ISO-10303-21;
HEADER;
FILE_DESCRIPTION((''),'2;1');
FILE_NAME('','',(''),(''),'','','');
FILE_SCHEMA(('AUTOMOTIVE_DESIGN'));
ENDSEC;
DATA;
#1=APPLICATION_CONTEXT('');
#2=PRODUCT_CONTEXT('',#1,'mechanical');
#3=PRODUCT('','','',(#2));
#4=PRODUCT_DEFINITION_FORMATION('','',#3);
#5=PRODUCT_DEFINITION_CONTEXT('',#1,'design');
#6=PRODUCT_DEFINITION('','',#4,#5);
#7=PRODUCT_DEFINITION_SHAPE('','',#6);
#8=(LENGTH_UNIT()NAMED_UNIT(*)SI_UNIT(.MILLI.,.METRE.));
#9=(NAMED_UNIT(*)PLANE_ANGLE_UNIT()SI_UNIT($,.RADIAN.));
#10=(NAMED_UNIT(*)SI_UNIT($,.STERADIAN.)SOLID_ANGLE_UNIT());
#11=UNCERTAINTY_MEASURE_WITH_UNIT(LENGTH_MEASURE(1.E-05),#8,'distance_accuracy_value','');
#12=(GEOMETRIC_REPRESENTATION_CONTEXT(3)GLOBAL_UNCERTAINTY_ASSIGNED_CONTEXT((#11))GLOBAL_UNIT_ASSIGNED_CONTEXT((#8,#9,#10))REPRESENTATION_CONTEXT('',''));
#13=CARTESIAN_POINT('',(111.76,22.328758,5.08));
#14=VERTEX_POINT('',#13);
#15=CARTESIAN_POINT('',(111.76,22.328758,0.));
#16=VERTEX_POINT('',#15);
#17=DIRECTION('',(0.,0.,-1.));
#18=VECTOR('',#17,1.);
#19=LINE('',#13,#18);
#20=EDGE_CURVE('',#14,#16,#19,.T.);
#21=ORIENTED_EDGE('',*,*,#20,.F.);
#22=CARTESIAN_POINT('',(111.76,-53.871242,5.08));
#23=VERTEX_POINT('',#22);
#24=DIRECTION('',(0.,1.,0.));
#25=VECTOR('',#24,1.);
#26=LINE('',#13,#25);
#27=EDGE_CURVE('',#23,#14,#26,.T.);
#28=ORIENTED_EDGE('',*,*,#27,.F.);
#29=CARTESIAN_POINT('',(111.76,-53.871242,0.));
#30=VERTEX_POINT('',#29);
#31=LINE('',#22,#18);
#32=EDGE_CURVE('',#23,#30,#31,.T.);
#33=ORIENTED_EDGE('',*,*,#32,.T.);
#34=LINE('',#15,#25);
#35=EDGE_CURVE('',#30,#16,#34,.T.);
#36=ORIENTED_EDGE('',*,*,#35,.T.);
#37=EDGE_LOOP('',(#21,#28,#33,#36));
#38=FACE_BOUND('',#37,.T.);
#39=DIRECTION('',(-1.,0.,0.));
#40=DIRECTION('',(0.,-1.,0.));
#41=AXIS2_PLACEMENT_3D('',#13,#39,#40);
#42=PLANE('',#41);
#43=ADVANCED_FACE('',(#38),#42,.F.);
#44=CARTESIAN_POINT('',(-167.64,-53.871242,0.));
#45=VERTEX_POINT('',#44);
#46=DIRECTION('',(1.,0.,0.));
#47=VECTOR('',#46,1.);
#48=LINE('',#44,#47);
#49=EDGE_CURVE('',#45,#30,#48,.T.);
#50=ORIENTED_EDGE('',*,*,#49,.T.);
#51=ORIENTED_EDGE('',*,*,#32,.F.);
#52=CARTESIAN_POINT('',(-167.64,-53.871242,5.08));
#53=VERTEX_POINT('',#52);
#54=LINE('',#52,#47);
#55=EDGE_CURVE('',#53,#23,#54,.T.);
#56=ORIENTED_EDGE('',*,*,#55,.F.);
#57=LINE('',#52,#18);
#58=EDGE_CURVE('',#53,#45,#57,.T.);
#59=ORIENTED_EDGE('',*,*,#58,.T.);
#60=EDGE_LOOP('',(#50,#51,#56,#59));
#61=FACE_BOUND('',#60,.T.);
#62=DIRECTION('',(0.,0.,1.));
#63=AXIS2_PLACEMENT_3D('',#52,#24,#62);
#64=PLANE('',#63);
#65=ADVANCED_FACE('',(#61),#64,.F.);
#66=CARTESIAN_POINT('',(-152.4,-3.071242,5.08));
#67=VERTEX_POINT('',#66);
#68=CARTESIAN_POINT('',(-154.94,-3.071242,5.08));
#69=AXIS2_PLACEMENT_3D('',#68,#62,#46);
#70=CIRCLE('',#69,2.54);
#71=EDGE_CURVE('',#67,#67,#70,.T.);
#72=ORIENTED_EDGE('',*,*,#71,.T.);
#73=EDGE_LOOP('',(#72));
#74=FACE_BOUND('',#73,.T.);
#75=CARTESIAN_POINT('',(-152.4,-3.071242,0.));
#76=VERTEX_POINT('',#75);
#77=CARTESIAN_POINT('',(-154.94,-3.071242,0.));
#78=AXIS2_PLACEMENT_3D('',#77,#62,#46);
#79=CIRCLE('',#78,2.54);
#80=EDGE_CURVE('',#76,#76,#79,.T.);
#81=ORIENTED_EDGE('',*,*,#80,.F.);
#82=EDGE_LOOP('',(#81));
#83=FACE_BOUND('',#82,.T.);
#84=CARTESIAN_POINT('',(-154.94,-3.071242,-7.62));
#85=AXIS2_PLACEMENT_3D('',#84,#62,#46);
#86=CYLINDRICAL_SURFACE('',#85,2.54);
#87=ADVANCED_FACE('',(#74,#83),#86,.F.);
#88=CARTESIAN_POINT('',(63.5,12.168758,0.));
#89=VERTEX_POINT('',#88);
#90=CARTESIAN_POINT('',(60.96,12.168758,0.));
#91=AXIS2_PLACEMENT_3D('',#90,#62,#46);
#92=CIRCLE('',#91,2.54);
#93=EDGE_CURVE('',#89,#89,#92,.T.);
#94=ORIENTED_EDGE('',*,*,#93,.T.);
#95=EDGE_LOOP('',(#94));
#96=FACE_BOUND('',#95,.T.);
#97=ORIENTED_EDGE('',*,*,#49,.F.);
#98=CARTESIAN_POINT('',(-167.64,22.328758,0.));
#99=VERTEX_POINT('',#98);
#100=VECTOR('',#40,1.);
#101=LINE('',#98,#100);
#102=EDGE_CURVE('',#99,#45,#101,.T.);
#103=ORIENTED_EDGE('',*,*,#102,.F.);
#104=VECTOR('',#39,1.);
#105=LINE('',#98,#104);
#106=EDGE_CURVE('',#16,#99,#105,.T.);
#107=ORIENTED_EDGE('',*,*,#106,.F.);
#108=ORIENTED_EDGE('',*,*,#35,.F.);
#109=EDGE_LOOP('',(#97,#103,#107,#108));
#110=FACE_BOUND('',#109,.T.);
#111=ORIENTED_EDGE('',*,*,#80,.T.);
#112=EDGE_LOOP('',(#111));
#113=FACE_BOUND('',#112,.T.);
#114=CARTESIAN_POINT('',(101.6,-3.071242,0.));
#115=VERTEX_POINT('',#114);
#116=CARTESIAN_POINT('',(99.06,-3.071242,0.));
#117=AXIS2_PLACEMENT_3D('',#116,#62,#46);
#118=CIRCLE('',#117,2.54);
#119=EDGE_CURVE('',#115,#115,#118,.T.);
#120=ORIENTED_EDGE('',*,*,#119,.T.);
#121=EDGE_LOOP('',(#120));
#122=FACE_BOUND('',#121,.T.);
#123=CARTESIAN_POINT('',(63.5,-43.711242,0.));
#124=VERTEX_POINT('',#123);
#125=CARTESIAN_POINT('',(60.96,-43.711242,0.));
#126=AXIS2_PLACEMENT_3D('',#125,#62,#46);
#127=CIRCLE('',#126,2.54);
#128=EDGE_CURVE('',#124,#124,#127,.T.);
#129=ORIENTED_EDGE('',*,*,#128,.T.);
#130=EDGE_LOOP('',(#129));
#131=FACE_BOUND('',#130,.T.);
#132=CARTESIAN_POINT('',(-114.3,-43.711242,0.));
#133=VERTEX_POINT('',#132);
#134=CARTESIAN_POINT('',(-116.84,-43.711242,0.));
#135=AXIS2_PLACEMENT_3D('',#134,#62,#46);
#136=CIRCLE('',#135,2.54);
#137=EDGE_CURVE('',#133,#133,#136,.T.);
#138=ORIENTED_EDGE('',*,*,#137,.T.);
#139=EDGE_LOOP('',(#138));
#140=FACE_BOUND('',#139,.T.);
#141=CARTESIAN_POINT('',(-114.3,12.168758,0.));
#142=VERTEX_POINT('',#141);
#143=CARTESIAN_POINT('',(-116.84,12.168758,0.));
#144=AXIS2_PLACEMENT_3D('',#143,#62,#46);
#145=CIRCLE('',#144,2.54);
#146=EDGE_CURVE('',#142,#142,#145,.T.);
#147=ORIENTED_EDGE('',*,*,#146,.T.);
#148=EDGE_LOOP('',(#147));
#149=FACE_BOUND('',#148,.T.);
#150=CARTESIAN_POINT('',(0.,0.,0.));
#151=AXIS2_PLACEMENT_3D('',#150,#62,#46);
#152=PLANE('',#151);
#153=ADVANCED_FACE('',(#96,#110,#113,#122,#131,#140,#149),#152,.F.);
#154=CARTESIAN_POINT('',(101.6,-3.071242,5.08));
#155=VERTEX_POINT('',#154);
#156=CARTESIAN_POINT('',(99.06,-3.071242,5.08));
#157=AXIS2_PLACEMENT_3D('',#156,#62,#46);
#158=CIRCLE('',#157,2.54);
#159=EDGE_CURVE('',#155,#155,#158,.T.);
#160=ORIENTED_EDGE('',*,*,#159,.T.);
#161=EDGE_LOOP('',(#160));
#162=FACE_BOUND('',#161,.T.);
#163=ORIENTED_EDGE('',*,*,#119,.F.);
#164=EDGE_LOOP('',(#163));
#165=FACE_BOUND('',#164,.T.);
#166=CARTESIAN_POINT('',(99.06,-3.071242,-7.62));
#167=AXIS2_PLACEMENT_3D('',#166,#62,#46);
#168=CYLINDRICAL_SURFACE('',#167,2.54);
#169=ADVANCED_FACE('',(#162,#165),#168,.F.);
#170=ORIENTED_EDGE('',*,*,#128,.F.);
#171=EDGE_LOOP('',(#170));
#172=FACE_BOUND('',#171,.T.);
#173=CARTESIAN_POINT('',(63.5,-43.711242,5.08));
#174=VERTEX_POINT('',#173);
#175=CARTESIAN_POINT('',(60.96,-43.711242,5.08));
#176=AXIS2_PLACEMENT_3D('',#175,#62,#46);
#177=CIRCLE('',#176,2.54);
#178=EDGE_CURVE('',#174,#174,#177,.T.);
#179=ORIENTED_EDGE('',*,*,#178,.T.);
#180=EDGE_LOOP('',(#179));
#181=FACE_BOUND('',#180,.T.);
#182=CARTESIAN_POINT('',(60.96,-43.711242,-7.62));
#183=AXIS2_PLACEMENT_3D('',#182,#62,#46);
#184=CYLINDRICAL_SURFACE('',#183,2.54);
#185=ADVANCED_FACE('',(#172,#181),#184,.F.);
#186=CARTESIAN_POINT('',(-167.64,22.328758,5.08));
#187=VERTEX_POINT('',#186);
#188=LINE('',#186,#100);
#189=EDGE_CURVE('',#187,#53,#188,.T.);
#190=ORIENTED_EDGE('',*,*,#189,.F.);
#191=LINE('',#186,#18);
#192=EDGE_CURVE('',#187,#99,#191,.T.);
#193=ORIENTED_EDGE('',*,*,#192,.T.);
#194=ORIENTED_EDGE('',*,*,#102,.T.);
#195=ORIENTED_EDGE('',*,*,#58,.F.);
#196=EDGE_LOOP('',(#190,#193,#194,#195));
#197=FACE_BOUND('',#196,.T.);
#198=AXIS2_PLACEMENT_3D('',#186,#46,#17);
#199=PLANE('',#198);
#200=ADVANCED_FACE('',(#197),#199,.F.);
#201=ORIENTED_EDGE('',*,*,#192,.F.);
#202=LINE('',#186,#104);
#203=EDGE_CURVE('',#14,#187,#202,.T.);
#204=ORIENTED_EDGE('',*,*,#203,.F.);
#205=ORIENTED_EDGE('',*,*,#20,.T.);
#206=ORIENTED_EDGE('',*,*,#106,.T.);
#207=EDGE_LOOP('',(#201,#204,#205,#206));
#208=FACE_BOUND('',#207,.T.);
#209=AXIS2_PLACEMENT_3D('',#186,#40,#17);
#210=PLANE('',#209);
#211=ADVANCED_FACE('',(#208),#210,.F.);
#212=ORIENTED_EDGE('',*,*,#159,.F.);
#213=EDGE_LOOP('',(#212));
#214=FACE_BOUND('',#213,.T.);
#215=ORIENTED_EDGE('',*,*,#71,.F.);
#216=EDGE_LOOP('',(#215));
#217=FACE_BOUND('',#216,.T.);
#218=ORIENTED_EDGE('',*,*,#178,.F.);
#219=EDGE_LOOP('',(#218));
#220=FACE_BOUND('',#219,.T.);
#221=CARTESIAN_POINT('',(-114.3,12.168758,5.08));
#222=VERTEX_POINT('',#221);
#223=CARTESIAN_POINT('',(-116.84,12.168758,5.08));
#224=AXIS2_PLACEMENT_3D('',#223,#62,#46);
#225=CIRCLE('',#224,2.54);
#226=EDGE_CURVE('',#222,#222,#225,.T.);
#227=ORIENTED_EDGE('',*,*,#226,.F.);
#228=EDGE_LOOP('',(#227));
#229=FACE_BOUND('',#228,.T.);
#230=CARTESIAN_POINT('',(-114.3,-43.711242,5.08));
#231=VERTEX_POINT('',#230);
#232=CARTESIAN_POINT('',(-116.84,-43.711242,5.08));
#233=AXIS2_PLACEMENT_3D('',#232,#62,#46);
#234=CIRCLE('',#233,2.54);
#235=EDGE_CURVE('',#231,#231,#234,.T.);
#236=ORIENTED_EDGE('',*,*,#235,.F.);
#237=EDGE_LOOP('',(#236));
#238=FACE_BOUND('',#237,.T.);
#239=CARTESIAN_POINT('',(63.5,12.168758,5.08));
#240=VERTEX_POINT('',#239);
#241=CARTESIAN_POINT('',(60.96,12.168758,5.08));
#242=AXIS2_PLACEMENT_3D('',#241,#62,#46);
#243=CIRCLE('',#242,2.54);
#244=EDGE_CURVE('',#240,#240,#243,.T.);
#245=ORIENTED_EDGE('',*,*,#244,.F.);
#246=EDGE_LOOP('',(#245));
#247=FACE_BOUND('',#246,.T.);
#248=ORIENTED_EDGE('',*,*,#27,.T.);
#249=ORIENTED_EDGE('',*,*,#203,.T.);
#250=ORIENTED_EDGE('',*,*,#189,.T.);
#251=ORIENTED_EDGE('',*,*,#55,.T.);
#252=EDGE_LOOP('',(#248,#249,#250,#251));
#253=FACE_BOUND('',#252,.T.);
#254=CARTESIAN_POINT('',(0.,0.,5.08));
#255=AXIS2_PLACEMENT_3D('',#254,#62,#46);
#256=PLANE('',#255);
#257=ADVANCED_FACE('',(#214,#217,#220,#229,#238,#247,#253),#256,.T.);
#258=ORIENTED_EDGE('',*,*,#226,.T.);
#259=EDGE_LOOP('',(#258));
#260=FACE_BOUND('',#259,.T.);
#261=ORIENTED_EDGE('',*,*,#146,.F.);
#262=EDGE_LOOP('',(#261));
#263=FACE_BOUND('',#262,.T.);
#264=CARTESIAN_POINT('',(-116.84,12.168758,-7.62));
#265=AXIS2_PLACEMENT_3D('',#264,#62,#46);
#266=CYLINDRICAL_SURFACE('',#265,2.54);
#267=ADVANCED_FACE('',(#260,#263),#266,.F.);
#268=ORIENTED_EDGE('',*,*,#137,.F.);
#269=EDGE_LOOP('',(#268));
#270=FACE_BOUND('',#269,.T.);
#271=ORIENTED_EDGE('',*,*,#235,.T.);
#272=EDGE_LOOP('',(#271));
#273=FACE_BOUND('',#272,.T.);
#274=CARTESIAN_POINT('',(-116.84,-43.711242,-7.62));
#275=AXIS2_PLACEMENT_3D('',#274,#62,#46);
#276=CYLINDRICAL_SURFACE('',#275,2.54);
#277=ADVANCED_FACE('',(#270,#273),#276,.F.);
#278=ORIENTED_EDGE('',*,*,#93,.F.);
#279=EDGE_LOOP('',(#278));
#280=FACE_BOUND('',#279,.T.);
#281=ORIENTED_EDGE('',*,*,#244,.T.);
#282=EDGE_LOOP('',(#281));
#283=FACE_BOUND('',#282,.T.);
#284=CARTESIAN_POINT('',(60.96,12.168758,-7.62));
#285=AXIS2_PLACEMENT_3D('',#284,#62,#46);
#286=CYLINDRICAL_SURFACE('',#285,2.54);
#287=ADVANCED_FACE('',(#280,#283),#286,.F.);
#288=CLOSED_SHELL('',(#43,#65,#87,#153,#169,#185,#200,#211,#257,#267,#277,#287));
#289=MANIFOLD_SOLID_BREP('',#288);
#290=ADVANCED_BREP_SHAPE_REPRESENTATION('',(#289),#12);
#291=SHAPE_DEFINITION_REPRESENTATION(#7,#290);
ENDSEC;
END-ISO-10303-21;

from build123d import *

# Parameters (mm, degrees)
SKETCH1_W           = 279.4
SKETCH1_H           = 76.2
BOSS_EXTRUDE1_DEPTH = 5.08
SKETCH2_R           = 2.54
CUT_EXTRUDE1_DEPTH  = 12.7


with BuildPart() as part:
    # Sketch1 → Boss-Extrude1 (new body)
    with BuildSketch(Plane.XY):
        with Locations((-27.94, -15.77124183)):
            Rectangle(SKETCH1_W, SKETCH1_H)
    extrude(amount=BOSS_EXTRUDE1_DEPTH)

    # Sketch2 → Cut-Extrude1 (cut)
    with BuildSketch(Plane.XY.offset(5.08)):
        with Locations((-154.94, -3.07124183)):
            Circle(SKETCH2_R)
        with Locations((-116.84, 12.16875817)):
            Circle(SKETCH2_R)
        with Locations((-116.84, -43.71124183)):
            Circle(SKETCH2_R)
        with Locations((60.96, -43.71124183)):
            Circle(SKETCH2_R)
        with Locations((60.96, 12.16875817)):
            Circle(SKETCH2_R)
        with Locations((99.06, -3.07124183)):
            Circle(SKETCH2_R)
    extrude(amount=-CUT_EXTRUDE1_DEPTH, mode=Mode.SUBTRACT)


solid = part.part
